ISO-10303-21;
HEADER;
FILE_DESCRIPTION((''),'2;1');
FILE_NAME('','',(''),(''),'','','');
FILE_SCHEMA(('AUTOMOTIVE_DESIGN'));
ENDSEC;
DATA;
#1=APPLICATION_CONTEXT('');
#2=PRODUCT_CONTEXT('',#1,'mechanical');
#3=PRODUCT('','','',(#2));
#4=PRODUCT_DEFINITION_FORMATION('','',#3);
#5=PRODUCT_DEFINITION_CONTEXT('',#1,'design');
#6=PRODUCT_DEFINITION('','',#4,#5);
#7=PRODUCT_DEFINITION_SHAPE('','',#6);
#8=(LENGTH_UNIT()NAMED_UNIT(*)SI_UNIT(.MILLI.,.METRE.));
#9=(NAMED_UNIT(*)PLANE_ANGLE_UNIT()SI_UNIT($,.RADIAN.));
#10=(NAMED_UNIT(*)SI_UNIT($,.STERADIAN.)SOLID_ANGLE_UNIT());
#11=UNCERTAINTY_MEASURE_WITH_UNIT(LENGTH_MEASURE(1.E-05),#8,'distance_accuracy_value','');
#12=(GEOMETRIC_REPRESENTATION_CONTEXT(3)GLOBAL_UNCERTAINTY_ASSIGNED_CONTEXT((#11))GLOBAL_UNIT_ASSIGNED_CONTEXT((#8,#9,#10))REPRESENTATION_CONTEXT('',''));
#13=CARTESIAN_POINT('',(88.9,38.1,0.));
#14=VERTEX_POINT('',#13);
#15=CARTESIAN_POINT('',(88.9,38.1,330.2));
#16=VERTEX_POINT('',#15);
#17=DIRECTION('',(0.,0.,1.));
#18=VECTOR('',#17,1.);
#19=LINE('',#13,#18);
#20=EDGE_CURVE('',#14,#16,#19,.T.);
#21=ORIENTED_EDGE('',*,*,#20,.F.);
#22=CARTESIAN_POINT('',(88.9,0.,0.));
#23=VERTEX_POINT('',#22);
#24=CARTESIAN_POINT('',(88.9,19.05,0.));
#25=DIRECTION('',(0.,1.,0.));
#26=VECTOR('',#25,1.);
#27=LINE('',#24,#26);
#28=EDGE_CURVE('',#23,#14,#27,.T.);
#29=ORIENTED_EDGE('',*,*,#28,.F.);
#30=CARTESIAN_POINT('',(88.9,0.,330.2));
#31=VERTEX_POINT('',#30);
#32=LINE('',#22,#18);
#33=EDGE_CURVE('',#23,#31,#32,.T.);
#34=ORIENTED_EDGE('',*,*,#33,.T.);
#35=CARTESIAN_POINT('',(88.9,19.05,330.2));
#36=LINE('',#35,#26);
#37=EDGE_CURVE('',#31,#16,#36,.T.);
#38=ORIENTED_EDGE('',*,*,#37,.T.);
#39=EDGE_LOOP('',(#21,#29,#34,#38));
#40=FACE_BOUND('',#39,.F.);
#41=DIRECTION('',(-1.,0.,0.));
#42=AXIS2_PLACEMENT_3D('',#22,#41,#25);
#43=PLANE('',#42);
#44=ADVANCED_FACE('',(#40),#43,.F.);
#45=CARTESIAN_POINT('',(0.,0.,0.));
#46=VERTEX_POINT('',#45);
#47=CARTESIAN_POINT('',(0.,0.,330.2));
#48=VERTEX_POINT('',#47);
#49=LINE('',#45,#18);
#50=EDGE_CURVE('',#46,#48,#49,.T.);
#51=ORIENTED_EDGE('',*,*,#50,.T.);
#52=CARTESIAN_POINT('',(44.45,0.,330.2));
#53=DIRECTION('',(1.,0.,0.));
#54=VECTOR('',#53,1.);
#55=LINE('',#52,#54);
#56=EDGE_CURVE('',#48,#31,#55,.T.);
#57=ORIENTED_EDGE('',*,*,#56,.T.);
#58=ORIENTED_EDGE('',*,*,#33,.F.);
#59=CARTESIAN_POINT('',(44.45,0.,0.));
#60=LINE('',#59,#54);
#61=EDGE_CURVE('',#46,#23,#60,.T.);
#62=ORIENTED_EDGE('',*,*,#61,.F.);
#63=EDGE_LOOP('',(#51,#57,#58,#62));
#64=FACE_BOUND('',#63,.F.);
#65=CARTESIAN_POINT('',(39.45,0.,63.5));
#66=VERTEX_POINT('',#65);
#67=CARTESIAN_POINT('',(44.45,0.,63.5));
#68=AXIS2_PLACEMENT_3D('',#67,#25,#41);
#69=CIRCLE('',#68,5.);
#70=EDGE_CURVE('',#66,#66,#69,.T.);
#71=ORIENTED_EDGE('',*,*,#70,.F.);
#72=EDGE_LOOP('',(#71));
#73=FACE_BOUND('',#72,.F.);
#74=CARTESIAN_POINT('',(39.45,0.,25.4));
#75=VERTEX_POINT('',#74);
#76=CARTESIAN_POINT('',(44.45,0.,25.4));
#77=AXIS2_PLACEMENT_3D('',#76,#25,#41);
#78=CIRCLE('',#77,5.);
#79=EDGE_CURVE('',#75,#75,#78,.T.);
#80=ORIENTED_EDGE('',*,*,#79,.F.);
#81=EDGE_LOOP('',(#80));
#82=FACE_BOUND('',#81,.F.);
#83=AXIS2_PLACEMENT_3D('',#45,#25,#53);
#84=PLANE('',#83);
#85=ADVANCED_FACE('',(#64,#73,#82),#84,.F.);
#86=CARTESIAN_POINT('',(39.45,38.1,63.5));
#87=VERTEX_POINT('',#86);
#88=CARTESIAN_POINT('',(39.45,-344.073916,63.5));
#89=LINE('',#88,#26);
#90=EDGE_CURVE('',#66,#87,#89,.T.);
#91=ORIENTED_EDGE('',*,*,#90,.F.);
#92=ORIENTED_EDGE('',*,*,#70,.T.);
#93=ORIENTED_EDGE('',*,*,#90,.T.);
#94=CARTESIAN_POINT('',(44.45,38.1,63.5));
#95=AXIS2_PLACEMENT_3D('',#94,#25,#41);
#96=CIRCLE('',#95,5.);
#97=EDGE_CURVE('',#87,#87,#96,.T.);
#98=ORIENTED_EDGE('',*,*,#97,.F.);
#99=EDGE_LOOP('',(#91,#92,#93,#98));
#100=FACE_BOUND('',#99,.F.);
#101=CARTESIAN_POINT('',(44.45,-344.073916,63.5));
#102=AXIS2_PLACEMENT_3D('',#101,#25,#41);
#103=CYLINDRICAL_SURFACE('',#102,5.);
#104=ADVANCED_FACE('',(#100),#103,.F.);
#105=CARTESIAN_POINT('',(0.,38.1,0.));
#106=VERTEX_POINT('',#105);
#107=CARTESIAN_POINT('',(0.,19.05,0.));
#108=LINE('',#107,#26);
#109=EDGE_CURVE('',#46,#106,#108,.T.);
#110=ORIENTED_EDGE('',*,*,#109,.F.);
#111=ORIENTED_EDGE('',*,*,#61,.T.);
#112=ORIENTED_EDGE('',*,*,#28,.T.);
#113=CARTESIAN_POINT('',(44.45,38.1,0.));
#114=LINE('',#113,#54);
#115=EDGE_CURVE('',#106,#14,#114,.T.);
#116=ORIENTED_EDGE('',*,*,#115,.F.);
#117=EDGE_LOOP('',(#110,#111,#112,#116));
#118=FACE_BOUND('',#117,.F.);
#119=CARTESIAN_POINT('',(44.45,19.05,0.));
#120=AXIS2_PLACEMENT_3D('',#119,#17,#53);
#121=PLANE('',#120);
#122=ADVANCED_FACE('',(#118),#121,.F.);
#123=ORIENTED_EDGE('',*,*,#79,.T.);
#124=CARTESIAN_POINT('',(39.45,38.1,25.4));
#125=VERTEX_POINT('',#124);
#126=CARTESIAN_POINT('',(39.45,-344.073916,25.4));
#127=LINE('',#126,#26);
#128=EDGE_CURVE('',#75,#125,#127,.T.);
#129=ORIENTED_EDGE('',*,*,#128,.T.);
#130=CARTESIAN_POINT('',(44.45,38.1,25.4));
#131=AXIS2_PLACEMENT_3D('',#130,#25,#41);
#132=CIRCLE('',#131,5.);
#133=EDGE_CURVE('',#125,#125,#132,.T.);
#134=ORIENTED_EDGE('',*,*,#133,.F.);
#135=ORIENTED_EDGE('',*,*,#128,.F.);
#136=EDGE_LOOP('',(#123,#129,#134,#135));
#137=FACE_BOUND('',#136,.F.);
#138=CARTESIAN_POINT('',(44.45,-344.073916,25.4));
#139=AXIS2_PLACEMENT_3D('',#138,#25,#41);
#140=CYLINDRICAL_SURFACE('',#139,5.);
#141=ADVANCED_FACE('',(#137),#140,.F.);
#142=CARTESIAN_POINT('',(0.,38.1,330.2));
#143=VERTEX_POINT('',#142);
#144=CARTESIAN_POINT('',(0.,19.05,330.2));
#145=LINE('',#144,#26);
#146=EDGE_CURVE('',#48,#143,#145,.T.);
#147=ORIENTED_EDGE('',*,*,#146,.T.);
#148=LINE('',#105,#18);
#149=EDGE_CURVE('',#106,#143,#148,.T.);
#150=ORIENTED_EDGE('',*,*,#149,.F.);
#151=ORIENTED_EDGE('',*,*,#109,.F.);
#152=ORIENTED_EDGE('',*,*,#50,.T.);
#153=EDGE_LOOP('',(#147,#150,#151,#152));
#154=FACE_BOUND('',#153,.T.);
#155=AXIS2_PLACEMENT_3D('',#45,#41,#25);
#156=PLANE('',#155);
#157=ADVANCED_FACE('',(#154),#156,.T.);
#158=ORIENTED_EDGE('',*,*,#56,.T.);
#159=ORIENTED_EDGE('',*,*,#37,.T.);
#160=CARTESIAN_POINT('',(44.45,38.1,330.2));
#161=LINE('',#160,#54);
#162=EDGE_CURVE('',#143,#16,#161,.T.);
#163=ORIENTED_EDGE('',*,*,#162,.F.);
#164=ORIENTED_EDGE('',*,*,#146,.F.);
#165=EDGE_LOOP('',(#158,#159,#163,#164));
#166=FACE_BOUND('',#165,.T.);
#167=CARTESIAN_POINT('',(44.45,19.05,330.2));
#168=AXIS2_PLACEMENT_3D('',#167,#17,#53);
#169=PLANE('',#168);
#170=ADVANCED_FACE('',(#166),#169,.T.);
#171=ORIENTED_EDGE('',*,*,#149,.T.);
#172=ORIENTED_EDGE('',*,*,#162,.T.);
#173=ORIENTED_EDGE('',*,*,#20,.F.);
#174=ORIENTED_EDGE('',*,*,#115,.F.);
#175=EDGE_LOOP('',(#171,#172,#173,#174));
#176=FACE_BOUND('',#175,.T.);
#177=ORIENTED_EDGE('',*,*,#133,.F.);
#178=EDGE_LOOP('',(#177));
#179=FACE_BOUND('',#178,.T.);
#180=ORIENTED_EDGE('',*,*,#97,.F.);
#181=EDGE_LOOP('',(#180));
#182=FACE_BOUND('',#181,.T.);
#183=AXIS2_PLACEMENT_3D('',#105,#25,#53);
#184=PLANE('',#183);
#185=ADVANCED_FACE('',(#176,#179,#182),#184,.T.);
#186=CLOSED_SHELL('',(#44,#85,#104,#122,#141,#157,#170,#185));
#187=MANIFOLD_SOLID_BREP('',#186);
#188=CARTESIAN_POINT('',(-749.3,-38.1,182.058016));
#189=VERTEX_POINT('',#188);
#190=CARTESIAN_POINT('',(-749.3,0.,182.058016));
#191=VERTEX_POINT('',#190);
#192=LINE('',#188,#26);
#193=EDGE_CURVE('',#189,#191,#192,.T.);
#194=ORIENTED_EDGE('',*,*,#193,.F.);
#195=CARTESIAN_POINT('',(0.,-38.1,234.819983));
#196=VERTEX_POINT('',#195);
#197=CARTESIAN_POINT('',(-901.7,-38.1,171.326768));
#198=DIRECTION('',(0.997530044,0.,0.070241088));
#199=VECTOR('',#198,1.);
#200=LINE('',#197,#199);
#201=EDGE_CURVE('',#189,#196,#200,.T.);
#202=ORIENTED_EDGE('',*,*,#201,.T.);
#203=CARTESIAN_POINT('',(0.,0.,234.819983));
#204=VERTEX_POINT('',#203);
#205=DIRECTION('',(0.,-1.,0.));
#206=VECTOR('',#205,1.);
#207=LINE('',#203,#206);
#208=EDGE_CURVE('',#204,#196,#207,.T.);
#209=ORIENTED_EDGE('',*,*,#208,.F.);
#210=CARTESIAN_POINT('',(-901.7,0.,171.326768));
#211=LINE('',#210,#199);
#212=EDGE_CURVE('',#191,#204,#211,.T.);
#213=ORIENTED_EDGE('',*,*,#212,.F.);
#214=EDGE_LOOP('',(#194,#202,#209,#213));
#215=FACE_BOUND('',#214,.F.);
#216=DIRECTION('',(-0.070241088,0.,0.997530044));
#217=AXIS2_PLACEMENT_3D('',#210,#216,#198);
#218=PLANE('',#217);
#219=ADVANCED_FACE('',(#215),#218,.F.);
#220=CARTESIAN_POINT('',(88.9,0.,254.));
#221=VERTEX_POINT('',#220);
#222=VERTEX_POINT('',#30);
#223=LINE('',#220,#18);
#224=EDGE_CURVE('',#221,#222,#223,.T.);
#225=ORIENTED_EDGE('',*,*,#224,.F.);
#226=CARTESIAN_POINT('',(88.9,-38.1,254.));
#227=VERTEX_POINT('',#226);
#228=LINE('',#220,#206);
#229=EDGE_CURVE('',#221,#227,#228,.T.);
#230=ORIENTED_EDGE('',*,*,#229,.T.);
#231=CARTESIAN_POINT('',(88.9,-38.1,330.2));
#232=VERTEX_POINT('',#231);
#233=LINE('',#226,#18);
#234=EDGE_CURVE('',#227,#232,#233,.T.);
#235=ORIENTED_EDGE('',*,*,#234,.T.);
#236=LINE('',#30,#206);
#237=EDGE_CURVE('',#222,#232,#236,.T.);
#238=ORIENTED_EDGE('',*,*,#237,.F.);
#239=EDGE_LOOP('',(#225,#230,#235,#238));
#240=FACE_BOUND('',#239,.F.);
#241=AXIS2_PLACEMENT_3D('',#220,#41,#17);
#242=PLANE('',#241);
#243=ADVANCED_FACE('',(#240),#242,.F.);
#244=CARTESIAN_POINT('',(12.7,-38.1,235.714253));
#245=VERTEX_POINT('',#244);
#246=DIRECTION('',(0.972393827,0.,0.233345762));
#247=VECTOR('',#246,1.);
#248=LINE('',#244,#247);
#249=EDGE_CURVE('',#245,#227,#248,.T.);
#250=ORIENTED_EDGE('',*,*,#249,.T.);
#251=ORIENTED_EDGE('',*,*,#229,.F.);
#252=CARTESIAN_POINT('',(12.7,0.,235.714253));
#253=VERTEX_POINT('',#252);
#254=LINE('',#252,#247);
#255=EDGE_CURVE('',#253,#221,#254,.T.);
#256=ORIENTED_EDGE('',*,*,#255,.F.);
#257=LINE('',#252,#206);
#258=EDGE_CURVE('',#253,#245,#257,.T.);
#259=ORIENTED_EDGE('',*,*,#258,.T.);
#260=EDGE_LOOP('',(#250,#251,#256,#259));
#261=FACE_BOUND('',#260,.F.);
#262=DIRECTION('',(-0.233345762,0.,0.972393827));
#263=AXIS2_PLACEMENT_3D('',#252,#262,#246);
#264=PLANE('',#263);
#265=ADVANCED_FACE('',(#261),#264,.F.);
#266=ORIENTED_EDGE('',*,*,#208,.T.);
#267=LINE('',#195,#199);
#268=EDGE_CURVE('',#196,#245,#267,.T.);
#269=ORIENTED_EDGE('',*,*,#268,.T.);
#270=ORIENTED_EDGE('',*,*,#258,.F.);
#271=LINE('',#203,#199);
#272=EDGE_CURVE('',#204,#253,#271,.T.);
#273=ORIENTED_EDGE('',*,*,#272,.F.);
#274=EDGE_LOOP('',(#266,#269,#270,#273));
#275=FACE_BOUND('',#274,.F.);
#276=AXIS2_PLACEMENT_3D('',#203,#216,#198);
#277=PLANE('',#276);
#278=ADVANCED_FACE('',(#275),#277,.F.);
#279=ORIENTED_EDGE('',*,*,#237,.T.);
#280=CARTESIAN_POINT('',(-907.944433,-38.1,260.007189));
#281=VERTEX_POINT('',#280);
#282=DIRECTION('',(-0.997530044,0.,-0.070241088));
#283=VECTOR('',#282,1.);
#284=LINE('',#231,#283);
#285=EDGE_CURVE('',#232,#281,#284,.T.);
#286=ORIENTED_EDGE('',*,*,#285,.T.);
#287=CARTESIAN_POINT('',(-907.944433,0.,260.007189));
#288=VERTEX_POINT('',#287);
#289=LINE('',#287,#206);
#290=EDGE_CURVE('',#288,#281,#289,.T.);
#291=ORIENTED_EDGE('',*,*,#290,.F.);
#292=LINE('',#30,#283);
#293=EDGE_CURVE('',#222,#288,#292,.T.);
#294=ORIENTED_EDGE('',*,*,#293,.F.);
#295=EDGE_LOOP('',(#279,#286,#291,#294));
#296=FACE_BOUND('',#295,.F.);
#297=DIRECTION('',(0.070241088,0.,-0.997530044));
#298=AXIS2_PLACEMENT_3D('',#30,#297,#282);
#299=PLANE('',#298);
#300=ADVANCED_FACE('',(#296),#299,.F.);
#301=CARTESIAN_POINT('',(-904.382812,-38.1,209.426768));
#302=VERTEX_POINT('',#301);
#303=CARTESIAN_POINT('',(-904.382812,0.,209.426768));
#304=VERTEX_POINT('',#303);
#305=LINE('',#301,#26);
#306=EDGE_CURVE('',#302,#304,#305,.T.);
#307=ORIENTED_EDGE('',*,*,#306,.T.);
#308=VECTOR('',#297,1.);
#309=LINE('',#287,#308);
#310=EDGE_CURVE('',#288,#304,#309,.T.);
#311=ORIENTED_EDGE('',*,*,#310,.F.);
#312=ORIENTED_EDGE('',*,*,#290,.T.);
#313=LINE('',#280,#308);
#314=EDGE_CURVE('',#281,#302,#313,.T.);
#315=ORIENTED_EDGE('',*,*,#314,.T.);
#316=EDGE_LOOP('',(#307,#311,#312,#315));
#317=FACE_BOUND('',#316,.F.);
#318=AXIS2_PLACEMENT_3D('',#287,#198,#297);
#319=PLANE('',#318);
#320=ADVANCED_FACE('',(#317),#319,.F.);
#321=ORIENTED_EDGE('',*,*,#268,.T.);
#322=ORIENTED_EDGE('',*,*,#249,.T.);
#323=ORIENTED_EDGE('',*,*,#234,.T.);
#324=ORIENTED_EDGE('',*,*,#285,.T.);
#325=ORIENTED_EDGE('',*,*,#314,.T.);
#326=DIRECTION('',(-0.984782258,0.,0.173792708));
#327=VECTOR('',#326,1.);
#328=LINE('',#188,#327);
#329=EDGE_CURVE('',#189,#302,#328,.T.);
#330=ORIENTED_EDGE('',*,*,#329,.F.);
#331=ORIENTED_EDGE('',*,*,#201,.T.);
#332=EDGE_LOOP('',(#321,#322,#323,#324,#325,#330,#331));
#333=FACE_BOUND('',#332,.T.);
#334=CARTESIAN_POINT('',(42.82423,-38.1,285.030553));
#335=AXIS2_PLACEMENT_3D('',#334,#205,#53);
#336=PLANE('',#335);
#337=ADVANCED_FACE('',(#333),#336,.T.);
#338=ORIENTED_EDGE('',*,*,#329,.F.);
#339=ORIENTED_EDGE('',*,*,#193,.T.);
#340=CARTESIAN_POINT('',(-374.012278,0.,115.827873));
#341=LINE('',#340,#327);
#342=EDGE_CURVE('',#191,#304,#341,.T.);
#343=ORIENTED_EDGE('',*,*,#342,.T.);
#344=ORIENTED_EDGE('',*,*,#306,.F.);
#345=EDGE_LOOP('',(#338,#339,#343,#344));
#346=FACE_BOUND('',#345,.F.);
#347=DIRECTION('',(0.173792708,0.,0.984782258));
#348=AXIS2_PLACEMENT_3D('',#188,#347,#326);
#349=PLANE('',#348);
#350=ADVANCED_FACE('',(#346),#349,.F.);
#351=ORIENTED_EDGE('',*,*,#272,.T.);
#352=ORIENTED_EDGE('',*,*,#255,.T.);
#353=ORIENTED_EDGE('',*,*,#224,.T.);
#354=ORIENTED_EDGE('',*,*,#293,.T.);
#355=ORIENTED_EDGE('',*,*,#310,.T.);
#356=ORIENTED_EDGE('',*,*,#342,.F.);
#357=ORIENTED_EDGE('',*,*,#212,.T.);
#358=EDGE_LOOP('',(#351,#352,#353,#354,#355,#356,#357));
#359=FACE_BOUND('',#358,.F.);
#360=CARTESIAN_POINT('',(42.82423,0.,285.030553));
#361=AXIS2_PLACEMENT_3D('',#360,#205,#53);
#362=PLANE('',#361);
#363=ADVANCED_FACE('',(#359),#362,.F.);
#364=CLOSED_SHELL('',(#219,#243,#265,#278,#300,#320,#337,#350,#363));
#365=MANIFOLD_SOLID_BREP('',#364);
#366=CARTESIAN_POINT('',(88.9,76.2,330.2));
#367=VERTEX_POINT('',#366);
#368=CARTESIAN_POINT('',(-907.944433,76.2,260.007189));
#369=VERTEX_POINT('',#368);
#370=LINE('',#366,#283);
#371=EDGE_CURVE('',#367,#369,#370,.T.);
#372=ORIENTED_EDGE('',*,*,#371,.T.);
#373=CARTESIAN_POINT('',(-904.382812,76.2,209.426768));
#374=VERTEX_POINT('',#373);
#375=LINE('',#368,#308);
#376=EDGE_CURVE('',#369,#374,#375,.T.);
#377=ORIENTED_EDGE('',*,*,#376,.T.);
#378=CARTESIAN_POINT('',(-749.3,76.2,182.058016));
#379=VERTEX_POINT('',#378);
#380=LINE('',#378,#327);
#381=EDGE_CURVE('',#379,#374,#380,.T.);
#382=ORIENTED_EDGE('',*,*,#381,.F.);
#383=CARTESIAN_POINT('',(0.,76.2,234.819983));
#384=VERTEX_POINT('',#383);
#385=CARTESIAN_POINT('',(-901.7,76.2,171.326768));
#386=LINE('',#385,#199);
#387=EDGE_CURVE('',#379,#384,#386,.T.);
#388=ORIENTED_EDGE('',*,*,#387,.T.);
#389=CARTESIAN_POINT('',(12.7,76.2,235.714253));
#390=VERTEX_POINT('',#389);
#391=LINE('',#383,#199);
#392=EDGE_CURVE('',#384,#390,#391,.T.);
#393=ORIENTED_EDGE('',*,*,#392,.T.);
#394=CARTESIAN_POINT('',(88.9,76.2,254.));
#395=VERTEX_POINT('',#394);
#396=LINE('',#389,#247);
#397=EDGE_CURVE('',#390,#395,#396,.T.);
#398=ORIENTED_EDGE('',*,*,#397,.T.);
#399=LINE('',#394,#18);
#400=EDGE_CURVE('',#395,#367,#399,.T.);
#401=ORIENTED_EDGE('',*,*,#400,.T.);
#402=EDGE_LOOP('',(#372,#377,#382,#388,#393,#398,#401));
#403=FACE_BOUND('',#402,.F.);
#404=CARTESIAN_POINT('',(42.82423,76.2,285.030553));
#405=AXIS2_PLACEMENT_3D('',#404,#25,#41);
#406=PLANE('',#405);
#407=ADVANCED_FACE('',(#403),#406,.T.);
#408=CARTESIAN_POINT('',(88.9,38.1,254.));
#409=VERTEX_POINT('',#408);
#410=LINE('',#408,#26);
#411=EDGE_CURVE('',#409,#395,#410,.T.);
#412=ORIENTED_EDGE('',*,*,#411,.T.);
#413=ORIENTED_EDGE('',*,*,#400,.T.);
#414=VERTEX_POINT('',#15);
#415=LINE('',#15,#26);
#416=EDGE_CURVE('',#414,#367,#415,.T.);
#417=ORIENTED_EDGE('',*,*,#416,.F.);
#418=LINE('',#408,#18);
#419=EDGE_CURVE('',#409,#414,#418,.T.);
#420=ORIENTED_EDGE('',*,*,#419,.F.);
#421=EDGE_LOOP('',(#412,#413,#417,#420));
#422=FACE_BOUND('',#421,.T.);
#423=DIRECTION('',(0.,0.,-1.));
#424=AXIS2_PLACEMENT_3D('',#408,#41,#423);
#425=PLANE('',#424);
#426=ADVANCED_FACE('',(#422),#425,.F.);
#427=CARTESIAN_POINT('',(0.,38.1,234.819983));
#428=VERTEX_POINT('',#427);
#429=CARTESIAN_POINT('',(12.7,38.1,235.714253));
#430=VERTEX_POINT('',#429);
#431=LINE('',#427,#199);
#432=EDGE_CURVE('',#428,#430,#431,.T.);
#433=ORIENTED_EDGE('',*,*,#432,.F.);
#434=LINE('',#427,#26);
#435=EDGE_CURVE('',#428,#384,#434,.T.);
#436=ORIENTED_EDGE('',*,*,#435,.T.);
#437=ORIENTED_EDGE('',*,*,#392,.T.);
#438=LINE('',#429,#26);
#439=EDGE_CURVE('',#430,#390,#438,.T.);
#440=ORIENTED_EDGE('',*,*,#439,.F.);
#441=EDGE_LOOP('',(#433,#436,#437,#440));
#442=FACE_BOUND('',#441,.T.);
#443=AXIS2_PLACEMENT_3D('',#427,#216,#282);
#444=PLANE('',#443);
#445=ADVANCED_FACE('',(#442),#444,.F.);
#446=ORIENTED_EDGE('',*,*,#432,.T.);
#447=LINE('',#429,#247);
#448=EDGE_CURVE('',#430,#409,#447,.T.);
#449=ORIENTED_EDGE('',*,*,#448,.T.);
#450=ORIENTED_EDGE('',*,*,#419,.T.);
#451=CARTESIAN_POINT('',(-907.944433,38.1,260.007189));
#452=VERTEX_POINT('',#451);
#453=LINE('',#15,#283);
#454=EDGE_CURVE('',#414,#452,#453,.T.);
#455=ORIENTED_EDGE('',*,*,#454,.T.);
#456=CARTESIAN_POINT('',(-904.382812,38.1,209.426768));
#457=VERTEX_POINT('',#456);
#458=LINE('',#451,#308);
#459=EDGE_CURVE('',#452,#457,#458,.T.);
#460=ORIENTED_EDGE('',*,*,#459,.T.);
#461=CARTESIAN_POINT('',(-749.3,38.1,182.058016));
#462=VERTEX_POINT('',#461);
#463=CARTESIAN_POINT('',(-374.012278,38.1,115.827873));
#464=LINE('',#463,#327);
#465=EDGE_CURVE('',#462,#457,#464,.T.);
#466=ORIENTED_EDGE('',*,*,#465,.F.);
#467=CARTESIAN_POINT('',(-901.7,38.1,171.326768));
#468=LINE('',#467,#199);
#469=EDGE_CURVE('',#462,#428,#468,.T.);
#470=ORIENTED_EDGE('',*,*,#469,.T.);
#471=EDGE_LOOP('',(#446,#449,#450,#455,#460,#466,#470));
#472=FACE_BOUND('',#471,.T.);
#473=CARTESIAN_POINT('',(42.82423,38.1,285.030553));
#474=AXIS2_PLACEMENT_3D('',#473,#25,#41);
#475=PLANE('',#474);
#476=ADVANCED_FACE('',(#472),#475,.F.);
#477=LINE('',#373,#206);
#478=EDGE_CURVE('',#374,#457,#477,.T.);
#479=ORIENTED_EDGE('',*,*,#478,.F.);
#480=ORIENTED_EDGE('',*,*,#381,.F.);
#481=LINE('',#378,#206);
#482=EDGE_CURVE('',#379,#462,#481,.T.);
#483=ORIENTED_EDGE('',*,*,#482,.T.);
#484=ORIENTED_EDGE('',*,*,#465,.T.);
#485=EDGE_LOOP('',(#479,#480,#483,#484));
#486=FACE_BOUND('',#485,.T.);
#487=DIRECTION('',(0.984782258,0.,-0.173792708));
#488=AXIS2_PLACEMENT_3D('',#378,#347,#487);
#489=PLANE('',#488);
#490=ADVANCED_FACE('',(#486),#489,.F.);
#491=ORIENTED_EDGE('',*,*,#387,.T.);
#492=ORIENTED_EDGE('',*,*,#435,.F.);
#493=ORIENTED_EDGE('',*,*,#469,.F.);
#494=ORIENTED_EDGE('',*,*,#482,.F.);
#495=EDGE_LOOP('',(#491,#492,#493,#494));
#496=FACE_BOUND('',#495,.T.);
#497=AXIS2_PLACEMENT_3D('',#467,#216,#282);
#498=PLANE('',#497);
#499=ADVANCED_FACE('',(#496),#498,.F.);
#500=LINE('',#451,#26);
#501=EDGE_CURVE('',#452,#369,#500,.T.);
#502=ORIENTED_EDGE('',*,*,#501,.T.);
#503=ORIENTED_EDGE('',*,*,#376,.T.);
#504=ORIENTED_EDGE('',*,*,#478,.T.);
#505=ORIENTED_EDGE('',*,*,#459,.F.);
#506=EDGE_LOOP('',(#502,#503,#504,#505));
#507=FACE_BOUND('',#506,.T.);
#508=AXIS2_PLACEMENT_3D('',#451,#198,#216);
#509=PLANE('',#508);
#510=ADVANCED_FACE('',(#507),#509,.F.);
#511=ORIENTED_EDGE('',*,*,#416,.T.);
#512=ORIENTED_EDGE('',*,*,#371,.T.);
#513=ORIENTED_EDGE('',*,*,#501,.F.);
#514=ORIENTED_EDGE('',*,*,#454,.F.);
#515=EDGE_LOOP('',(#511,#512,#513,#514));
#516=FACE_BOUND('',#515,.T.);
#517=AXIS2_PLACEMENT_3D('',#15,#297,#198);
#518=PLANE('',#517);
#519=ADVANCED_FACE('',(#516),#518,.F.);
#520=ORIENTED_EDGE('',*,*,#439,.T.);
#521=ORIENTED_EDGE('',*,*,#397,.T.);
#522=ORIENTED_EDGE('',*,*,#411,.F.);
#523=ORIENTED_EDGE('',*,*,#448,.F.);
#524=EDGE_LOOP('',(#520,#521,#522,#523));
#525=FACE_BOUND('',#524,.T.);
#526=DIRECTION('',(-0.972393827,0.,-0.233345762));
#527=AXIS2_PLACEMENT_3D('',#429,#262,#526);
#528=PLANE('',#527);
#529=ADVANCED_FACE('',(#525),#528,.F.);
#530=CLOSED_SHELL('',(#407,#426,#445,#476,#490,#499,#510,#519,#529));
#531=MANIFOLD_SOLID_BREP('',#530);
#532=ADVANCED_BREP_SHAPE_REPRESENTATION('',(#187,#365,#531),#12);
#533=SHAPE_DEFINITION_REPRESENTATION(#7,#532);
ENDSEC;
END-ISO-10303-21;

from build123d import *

# Parameters (mm, degrees)
F0_W     = 88.9
F0_H     = 38.1
F1_DEPTH = 330.2
F3_D     = 10
F5_DEPTH = 38.1
F8_DEPTH = 76.201


with BuildPart() as f1:
    # F0 (on Top) → F1 (new body)
    with BuildSketch(Plane.XY):
        with Locations((44.45, 19.05)):
            Rectangle(F0_W, F0_H)
    extrude(amount=F1_DEPTH)

    # F3 (through all)
    with Locations(Plane.XZ):
        with Locations((44.45, 63.5), (44.45, 25.4)):
            Hole(F3_D / 2)


with BuildPart() as f5:
    # F4 (on face) → F5 (new body)
    with BuildSketch(Plane.XZ):
        Polygon((88.9, 254), (88.9, 330.2), (0, 323.9401055744), (0, 234.8199828287), (12.7, 235.7142534609), align=None)
        Polygon((0, 234.8199828287), (0, 323.9401055744), (-907.9444327643, 260.0071888885), (-901.7, 171.3267679408), align=None)
    extrude(amount=F5_DEPTH)

    # F7 (on face) → F8 (cut, through all)
    with BuildSketch(Plane.XZ.offset(38.1)):
        Polygon((-904.3828118967, 209.4267679408), (-901.7, 171.3267679408), (-749.3, 182.0580155275), align=None)
    extrude(amount=-F8_DEPTH, mode=Mode.SUBTRACT)


with BuildPart() as f9_1:
    # F9: instance of F5
    add(f5.part.mirror(Plane(origin=(44.45, 19.05, 165.7490804907), x_dir=(1, 0, 0), z_dir=(0, -1, 0))))


solid = Compound([f1.part, f5.part, f9_1.part])
